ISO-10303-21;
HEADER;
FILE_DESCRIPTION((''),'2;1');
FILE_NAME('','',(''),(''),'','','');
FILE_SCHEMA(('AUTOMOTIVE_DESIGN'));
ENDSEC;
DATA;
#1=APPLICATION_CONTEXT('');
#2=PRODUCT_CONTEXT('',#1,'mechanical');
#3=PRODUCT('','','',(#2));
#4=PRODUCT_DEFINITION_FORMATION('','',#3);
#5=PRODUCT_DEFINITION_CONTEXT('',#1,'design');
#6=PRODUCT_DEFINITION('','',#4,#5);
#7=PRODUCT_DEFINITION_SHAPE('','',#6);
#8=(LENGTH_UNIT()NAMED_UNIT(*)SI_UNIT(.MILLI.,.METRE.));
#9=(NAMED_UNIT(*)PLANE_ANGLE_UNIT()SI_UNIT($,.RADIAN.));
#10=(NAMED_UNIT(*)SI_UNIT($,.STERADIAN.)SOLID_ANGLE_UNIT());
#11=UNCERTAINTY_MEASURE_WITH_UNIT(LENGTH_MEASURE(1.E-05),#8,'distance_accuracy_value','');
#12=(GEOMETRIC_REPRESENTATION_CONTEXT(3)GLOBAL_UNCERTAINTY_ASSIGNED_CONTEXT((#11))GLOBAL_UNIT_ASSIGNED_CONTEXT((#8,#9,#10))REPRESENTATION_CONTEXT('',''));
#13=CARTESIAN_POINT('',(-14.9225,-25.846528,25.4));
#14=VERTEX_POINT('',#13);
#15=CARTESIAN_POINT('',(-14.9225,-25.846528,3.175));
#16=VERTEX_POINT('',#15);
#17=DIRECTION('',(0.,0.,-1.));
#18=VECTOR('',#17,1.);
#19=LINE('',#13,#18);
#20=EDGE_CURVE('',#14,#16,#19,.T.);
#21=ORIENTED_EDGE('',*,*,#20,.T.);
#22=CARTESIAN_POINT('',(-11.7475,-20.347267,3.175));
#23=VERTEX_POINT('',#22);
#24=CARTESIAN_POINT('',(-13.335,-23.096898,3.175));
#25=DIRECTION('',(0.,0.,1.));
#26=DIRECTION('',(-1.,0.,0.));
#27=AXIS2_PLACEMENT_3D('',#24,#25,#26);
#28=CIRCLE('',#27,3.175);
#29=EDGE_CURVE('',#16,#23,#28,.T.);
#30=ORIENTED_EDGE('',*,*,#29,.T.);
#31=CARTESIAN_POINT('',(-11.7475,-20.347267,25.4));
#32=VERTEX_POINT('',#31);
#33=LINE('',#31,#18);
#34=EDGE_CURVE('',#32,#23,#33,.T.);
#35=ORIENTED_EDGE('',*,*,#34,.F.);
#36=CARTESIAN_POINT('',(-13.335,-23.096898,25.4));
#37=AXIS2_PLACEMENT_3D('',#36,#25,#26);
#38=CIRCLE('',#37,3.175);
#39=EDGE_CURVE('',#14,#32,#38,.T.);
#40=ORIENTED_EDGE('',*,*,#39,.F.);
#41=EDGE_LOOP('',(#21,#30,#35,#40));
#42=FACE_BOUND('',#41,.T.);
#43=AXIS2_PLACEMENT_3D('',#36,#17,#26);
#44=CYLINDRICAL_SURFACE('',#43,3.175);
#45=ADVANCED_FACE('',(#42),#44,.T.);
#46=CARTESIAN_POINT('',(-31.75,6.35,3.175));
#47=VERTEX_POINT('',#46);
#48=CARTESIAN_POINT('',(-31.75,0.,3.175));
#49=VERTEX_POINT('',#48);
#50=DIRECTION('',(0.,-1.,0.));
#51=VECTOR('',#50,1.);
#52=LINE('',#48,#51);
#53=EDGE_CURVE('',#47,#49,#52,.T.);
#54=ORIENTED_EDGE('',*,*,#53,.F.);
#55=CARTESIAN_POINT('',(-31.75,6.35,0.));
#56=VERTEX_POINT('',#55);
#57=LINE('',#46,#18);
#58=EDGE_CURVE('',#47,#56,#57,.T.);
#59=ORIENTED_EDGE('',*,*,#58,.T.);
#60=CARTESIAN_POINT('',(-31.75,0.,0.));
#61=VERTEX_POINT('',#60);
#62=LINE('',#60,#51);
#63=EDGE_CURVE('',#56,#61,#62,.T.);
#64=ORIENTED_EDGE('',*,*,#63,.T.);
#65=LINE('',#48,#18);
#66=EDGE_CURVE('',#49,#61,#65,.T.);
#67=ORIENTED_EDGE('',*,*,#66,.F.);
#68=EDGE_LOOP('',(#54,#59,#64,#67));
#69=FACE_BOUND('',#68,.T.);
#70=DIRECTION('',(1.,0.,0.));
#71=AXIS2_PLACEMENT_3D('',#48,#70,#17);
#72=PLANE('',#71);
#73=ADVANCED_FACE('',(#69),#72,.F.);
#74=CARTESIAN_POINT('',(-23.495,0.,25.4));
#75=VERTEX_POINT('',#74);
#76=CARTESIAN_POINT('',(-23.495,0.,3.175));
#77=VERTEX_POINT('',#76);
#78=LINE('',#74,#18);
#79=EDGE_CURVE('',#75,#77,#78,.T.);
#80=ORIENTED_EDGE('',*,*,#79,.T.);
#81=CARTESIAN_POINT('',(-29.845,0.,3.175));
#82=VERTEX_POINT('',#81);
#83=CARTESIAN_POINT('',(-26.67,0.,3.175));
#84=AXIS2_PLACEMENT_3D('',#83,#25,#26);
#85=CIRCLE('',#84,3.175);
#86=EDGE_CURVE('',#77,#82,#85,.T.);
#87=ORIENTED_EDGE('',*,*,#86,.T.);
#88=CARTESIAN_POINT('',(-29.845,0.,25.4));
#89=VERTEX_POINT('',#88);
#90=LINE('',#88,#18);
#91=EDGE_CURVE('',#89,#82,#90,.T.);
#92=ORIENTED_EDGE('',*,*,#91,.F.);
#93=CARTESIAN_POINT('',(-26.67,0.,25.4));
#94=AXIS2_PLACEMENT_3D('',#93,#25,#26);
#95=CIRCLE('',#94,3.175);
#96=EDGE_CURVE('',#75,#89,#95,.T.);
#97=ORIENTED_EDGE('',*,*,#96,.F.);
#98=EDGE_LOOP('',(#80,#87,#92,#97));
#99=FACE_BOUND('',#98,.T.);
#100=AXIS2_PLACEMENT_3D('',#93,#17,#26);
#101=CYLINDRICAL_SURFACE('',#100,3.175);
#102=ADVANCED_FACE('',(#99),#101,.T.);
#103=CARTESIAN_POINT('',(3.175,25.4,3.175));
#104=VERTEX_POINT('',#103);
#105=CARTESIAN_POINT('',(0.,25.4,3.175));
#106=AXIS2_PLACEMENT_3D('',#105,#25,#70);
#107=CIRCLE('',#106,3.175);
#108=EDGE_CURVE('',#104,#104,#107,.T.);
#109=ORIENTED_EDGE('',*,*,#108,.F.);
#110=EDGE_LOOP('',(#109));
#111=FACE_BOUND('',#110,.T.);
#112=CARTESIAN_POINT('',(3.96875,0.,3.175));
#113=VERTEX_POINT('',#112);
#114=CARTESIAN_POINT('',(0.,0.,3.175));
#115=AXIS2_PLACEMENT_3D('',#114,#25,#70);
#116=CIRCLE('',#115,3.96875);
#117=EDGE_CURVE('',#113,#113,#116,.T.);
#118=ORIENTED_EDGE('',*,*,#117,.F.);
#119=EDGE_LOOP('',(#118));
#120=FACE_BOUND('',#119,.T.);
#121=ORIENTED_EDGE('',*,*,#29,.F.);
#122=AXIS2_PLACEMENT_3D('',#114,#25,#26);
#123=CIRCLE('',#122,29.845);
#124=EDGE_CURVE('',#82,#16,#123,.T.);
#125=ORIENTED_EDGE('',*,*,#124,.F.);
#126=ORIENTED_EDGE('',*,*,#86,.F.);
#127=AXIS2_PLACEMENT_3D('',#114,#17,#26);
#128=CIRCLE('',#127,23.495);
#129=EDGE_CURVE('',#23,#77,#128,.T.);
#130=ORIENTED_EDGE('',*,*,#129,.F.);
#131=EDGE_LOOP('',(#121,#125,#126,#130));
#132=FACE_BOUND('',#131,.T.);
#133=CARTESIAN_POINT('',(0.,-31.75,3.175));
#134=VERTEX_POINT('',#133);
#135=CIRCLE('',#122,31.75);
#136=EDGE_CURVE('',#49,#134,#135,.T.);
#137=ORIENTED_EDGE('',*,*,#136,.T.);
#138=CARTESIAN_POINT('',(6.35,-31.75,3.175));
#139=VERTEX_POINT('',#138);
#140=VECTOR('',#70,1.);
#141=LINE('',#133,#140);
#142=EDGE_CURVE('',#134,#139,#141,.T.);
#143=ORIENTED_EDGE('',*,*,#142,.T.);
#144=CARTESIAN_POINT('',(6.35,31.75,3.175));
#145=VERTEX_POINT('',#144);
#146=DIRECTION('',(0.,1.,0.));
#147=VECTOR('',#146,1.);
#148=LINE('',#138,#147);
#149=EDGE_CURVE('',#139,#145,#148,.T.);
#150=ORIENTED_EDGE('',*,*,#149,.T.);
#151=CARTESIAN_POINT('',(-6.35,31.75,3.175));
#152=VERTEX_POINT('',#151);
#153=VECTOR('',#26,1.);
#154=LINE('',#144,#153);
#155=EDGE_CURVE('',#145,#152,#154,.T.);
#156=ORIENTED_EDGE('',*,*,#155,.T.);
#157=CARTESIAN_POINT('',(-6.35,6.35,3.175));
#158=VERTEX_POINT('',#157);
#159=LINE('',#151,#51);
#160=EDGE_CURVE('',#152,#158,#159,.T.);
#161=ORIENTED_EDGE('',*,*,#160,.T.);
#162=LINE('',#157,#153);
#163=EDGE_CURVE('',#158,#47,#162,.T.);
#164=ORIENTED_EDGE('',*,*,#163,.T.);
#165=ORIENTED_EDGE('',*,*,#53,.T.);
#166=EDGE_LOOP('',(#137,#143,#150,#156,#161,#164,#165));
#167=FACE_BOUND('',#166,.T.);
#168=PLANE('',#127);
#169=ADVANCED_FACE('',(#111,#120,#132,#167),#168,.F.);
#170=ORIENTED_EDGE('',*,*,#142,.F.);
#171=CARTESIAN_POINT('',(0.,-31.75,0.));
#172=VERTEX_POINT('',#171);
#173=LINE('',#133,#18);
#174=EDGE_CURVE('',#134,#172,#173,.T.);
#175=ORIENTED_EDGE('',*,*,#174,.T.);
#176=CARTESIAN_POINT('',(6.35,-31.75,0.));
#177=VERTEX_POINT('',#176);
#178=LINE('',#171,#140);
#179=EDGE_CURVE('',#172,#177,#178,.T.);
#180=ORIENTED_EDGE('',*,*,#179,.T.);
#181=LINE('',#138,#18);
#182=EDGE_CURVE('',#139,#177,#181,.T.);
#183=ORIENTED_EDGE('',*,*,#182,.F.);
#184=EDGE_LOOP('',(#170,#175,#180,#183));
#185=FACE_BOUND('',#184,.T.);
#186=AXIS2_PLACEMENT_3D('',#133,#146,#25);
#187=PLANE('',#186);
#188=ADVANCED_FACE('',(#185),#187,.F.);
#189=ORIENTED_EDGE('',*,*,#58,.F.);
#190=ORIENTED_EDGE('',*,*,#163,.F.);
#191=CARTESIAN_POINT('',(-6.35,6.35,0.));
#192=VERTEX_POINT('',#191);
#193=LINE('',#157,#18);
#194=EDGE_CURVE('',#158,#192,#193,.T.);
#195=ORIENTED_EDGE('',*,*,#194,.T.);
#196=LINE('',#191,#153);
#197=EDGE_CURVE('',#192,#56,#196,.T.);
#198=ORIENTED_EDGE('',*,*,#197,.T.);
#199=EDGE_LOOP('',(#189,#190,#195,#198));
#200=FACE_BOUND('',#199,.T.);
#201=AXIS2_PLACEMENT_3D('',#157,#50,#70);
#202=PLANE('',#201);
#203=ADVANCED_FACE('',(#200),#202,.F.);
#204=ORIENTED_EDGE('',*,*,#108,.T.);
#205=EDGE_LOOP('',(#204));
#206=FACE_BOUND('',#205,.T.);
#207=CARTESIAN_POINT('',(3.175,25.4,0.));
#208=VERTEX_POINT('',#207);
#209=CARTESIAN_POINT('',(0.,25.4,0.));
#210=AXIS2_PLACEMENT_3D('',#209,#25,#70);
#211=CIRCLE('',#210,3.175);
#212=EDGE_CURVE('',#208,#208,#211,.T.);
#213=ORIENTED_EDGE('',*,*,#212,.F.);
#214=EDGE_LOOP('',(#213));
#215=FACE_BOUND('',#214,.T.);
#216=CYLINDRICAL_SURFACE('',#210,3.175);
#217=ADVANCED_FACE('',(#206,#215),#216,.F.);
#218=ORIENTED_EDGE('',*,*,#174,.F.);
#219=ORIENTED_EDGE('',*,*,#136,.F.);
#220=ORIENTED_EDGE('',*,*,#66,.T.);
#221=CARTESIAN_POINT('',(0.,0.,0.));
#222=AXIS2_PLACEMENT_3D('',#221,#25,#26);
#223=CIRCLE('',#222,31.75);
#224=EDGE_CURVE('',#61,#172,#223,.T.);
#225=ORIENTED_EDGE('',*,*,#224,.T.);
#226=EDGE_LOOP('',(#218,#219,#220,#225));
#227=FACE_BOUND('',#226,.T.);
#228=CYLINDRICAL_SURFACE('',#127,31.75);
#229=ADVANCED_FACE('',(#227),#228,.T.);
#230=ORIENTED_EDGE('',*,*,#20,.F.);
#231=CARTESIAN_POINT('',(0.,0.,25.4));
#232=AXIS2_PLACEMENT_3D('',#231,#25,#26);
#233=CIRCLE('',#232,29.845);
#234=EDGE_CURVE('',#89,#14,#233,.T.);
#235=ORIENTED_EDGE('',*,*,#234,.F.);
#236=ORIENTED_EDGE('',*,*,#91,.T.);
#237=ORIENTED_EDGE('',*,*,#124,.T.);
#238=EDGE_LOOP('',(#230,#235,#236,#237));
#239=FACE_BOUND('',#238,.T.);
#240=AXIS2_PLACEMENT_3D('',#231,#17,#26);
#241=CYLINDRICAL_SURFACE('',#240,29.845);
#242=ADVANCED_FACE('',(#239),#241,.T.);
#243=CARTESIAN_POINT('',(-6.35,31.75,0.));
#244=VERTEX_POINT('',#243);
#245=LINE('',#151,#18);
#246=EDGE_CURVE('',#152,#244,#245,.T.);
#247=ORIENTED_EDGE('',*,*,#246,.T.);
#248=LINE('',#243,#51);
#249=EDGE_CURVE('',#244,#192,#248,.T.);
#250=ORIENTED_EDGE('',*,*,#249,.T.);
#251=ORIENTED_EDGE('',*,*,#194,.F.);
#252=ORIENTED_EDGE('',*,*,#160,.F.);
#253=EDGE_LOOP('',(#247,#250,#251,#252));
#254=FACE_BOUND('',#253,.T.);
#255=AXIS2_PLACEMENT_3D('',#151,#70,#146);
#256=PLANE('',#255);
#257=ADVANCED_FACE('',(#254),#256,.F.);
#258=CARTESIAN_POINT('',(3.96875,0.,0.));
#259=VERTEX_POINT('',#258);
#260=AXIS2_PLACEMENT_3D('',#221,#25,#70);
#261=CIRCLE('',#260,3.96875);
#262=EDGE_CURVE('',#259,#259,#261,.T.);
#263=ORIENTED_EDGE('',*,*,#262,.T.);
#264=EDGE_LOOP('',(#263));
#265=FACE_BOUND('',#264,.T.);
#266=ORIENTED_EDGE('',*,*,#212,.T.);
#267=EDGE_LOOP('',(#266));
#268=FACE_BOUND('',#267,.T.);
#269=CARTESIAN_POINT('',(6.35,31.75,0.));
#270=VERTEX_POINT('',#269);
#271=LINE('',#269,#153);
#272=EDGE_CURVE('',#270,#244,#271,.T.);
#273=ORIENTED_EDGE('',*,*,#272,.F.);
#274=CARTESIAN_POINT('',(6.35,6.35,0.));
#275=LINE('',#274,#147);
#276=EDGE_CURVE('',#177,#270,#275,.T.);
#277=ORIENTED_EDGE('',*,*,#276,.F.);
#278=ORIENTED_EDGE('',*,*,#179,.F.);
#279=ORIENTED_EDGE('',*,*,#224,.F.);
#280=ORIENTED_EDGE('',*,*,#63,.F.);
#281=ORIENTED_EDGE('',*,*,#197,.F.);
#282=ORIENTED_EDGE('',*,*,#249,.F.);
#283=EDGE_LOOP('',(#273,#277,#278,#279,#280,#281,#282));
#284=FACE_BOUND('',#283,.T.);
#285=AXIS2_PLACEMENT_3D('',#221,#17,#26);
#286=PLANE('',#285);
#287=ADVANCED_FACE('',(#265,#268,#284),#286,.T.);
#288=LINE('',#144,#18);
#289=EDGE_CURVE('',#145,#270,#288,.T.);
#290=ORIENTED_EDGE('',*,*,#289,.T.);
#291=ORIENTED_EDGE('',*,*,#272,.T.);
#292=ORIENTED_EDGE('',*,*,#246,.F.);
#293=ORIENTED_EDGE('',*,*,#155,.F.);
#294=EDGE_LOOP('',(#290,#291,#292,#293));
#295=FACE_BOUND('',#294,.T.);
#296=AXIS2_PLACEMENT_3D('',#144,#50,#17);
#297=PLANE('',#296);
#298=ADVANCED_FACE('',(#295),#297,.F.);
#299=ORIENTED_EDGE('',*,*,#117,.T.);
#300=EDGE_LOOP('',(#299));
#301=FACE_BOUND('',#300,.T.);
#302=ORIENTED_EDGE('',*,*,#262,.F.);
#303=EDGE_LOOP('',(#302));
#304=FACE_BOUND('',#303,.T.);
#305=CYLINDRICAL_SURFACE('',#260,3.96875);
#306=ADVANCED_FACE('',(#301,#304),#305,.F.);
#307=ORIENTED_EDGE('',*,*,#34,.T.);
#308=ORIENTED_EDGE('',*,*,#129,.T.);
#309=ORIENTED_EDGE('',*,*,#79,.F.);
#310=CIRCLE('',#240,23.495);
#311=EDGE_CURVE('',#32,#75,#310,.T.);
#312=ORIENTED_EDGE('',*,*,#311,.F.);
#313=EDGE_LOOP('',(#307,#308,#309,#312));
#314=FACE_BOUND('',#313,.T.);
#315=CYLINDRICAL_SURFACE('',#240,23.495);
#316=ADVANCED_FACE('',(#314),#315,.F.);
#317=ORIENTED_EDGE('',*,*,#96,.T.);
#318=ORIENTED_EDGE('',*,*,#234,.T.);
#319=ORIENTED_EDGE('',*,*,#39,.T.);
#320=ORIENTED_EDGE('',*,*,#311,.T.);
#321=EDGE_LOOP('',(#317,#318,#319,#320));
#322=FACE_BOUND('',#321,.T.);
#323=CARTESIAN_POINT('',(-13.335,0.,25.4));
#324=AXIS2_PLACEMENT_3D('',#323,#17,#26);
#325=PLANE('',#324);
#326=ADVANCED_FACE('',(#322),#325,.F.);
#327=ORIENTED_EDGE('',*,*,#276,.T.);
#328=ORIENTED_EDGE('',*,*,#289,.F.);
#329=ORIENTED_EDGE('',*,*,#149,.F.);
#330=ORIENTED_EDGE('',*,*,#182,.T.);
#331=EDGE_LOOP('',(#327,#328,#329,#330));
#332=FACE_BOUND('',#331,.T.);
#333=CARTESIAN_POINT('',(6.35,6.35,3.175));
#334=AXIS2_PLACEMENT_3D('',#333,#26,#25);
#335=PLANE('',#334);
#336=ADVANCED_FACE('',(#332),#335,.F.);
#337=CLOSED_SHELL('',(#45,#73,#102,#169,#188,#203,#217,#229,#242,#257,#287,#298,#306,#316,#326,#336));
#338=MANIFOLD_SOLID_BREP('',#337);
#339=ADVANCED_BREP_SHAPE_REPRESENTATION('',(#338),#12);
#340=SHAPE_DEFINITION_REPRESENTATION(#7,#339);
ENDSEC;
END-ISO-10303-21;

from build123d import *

# Parameters (mm, degrees)
BOSS_EXTRUDE1_DEPTH = 3.175
SKETCH4_R           = 3.96875
SKETCH4_R_2         = 3.175
CUT_EXTRUDE1_DEPTH  = 4.175
BOSS_EXTRUDE3_DEPTH = 22.225


with BuildPart() as part:
    # Sketch1 → Boss-Extrude1 (new body)
    with BuildSketch(Plane.XY):
        with BuildLine():
            Line((-31.75, 0), (-31.75, 6.35))
            Line((-31.75, 6.35), (-6.35, 6.35))
            Line((-6.35, 6.35), (-6.35, 31.75))
            Line((-6.35, 31.75), (6.35, 31.75))
            Line((6.35, 31.75), (6.35, 6.35))
            Line((6.35, 6.35), (6.35, -31.75))
            Line((6.35, -31.75), (0, -31.75))
            ThreePointArc((0, -31.75), (-22.450640303, -22.450640303), (-31.75, 0))
        make_face()
    extrude(amount=BOSS_EXTRUDE1_DEPTH)

    # Sketch4 → Cut-Extrude1 (cut, through all)
    with BuildSketch(Plane.XY.offset(3.175)):
        Circle(SKETCH4_R)
        with Locations((0, 25.4)):
            Circle(SKETCH4_R_2)
    extrude(amount=-CUT_EXTRUDE1_DEPTH, mode=Mode.SUBTRACT)

    # Sketch6 → Boss-Extrude3 (add)
    with BuildSketch(Plane.XY.offset(3.175)):
        with BuildLine():
            ThreePointArc((-29.845, 0), (-26.67, 3.175), (-23.495, 0))
            ThreePointArc((-23.495, 0), (-20.347266862, -11.7475), (-11.7475, -20.347266862))
            ThreePointArc((-11.7475, -20.347266862), (-10.585369343, -24.684397519), (-14.9225, -25.846528176))
            ThreePointArc((-14.9225, -25.846528176), (-25.846528176, -14.9225), (-29.845, 0))
        make_face()
    extrude(amount=BOSS_EXTRUDE3_DEPTH)


solid = part.part
